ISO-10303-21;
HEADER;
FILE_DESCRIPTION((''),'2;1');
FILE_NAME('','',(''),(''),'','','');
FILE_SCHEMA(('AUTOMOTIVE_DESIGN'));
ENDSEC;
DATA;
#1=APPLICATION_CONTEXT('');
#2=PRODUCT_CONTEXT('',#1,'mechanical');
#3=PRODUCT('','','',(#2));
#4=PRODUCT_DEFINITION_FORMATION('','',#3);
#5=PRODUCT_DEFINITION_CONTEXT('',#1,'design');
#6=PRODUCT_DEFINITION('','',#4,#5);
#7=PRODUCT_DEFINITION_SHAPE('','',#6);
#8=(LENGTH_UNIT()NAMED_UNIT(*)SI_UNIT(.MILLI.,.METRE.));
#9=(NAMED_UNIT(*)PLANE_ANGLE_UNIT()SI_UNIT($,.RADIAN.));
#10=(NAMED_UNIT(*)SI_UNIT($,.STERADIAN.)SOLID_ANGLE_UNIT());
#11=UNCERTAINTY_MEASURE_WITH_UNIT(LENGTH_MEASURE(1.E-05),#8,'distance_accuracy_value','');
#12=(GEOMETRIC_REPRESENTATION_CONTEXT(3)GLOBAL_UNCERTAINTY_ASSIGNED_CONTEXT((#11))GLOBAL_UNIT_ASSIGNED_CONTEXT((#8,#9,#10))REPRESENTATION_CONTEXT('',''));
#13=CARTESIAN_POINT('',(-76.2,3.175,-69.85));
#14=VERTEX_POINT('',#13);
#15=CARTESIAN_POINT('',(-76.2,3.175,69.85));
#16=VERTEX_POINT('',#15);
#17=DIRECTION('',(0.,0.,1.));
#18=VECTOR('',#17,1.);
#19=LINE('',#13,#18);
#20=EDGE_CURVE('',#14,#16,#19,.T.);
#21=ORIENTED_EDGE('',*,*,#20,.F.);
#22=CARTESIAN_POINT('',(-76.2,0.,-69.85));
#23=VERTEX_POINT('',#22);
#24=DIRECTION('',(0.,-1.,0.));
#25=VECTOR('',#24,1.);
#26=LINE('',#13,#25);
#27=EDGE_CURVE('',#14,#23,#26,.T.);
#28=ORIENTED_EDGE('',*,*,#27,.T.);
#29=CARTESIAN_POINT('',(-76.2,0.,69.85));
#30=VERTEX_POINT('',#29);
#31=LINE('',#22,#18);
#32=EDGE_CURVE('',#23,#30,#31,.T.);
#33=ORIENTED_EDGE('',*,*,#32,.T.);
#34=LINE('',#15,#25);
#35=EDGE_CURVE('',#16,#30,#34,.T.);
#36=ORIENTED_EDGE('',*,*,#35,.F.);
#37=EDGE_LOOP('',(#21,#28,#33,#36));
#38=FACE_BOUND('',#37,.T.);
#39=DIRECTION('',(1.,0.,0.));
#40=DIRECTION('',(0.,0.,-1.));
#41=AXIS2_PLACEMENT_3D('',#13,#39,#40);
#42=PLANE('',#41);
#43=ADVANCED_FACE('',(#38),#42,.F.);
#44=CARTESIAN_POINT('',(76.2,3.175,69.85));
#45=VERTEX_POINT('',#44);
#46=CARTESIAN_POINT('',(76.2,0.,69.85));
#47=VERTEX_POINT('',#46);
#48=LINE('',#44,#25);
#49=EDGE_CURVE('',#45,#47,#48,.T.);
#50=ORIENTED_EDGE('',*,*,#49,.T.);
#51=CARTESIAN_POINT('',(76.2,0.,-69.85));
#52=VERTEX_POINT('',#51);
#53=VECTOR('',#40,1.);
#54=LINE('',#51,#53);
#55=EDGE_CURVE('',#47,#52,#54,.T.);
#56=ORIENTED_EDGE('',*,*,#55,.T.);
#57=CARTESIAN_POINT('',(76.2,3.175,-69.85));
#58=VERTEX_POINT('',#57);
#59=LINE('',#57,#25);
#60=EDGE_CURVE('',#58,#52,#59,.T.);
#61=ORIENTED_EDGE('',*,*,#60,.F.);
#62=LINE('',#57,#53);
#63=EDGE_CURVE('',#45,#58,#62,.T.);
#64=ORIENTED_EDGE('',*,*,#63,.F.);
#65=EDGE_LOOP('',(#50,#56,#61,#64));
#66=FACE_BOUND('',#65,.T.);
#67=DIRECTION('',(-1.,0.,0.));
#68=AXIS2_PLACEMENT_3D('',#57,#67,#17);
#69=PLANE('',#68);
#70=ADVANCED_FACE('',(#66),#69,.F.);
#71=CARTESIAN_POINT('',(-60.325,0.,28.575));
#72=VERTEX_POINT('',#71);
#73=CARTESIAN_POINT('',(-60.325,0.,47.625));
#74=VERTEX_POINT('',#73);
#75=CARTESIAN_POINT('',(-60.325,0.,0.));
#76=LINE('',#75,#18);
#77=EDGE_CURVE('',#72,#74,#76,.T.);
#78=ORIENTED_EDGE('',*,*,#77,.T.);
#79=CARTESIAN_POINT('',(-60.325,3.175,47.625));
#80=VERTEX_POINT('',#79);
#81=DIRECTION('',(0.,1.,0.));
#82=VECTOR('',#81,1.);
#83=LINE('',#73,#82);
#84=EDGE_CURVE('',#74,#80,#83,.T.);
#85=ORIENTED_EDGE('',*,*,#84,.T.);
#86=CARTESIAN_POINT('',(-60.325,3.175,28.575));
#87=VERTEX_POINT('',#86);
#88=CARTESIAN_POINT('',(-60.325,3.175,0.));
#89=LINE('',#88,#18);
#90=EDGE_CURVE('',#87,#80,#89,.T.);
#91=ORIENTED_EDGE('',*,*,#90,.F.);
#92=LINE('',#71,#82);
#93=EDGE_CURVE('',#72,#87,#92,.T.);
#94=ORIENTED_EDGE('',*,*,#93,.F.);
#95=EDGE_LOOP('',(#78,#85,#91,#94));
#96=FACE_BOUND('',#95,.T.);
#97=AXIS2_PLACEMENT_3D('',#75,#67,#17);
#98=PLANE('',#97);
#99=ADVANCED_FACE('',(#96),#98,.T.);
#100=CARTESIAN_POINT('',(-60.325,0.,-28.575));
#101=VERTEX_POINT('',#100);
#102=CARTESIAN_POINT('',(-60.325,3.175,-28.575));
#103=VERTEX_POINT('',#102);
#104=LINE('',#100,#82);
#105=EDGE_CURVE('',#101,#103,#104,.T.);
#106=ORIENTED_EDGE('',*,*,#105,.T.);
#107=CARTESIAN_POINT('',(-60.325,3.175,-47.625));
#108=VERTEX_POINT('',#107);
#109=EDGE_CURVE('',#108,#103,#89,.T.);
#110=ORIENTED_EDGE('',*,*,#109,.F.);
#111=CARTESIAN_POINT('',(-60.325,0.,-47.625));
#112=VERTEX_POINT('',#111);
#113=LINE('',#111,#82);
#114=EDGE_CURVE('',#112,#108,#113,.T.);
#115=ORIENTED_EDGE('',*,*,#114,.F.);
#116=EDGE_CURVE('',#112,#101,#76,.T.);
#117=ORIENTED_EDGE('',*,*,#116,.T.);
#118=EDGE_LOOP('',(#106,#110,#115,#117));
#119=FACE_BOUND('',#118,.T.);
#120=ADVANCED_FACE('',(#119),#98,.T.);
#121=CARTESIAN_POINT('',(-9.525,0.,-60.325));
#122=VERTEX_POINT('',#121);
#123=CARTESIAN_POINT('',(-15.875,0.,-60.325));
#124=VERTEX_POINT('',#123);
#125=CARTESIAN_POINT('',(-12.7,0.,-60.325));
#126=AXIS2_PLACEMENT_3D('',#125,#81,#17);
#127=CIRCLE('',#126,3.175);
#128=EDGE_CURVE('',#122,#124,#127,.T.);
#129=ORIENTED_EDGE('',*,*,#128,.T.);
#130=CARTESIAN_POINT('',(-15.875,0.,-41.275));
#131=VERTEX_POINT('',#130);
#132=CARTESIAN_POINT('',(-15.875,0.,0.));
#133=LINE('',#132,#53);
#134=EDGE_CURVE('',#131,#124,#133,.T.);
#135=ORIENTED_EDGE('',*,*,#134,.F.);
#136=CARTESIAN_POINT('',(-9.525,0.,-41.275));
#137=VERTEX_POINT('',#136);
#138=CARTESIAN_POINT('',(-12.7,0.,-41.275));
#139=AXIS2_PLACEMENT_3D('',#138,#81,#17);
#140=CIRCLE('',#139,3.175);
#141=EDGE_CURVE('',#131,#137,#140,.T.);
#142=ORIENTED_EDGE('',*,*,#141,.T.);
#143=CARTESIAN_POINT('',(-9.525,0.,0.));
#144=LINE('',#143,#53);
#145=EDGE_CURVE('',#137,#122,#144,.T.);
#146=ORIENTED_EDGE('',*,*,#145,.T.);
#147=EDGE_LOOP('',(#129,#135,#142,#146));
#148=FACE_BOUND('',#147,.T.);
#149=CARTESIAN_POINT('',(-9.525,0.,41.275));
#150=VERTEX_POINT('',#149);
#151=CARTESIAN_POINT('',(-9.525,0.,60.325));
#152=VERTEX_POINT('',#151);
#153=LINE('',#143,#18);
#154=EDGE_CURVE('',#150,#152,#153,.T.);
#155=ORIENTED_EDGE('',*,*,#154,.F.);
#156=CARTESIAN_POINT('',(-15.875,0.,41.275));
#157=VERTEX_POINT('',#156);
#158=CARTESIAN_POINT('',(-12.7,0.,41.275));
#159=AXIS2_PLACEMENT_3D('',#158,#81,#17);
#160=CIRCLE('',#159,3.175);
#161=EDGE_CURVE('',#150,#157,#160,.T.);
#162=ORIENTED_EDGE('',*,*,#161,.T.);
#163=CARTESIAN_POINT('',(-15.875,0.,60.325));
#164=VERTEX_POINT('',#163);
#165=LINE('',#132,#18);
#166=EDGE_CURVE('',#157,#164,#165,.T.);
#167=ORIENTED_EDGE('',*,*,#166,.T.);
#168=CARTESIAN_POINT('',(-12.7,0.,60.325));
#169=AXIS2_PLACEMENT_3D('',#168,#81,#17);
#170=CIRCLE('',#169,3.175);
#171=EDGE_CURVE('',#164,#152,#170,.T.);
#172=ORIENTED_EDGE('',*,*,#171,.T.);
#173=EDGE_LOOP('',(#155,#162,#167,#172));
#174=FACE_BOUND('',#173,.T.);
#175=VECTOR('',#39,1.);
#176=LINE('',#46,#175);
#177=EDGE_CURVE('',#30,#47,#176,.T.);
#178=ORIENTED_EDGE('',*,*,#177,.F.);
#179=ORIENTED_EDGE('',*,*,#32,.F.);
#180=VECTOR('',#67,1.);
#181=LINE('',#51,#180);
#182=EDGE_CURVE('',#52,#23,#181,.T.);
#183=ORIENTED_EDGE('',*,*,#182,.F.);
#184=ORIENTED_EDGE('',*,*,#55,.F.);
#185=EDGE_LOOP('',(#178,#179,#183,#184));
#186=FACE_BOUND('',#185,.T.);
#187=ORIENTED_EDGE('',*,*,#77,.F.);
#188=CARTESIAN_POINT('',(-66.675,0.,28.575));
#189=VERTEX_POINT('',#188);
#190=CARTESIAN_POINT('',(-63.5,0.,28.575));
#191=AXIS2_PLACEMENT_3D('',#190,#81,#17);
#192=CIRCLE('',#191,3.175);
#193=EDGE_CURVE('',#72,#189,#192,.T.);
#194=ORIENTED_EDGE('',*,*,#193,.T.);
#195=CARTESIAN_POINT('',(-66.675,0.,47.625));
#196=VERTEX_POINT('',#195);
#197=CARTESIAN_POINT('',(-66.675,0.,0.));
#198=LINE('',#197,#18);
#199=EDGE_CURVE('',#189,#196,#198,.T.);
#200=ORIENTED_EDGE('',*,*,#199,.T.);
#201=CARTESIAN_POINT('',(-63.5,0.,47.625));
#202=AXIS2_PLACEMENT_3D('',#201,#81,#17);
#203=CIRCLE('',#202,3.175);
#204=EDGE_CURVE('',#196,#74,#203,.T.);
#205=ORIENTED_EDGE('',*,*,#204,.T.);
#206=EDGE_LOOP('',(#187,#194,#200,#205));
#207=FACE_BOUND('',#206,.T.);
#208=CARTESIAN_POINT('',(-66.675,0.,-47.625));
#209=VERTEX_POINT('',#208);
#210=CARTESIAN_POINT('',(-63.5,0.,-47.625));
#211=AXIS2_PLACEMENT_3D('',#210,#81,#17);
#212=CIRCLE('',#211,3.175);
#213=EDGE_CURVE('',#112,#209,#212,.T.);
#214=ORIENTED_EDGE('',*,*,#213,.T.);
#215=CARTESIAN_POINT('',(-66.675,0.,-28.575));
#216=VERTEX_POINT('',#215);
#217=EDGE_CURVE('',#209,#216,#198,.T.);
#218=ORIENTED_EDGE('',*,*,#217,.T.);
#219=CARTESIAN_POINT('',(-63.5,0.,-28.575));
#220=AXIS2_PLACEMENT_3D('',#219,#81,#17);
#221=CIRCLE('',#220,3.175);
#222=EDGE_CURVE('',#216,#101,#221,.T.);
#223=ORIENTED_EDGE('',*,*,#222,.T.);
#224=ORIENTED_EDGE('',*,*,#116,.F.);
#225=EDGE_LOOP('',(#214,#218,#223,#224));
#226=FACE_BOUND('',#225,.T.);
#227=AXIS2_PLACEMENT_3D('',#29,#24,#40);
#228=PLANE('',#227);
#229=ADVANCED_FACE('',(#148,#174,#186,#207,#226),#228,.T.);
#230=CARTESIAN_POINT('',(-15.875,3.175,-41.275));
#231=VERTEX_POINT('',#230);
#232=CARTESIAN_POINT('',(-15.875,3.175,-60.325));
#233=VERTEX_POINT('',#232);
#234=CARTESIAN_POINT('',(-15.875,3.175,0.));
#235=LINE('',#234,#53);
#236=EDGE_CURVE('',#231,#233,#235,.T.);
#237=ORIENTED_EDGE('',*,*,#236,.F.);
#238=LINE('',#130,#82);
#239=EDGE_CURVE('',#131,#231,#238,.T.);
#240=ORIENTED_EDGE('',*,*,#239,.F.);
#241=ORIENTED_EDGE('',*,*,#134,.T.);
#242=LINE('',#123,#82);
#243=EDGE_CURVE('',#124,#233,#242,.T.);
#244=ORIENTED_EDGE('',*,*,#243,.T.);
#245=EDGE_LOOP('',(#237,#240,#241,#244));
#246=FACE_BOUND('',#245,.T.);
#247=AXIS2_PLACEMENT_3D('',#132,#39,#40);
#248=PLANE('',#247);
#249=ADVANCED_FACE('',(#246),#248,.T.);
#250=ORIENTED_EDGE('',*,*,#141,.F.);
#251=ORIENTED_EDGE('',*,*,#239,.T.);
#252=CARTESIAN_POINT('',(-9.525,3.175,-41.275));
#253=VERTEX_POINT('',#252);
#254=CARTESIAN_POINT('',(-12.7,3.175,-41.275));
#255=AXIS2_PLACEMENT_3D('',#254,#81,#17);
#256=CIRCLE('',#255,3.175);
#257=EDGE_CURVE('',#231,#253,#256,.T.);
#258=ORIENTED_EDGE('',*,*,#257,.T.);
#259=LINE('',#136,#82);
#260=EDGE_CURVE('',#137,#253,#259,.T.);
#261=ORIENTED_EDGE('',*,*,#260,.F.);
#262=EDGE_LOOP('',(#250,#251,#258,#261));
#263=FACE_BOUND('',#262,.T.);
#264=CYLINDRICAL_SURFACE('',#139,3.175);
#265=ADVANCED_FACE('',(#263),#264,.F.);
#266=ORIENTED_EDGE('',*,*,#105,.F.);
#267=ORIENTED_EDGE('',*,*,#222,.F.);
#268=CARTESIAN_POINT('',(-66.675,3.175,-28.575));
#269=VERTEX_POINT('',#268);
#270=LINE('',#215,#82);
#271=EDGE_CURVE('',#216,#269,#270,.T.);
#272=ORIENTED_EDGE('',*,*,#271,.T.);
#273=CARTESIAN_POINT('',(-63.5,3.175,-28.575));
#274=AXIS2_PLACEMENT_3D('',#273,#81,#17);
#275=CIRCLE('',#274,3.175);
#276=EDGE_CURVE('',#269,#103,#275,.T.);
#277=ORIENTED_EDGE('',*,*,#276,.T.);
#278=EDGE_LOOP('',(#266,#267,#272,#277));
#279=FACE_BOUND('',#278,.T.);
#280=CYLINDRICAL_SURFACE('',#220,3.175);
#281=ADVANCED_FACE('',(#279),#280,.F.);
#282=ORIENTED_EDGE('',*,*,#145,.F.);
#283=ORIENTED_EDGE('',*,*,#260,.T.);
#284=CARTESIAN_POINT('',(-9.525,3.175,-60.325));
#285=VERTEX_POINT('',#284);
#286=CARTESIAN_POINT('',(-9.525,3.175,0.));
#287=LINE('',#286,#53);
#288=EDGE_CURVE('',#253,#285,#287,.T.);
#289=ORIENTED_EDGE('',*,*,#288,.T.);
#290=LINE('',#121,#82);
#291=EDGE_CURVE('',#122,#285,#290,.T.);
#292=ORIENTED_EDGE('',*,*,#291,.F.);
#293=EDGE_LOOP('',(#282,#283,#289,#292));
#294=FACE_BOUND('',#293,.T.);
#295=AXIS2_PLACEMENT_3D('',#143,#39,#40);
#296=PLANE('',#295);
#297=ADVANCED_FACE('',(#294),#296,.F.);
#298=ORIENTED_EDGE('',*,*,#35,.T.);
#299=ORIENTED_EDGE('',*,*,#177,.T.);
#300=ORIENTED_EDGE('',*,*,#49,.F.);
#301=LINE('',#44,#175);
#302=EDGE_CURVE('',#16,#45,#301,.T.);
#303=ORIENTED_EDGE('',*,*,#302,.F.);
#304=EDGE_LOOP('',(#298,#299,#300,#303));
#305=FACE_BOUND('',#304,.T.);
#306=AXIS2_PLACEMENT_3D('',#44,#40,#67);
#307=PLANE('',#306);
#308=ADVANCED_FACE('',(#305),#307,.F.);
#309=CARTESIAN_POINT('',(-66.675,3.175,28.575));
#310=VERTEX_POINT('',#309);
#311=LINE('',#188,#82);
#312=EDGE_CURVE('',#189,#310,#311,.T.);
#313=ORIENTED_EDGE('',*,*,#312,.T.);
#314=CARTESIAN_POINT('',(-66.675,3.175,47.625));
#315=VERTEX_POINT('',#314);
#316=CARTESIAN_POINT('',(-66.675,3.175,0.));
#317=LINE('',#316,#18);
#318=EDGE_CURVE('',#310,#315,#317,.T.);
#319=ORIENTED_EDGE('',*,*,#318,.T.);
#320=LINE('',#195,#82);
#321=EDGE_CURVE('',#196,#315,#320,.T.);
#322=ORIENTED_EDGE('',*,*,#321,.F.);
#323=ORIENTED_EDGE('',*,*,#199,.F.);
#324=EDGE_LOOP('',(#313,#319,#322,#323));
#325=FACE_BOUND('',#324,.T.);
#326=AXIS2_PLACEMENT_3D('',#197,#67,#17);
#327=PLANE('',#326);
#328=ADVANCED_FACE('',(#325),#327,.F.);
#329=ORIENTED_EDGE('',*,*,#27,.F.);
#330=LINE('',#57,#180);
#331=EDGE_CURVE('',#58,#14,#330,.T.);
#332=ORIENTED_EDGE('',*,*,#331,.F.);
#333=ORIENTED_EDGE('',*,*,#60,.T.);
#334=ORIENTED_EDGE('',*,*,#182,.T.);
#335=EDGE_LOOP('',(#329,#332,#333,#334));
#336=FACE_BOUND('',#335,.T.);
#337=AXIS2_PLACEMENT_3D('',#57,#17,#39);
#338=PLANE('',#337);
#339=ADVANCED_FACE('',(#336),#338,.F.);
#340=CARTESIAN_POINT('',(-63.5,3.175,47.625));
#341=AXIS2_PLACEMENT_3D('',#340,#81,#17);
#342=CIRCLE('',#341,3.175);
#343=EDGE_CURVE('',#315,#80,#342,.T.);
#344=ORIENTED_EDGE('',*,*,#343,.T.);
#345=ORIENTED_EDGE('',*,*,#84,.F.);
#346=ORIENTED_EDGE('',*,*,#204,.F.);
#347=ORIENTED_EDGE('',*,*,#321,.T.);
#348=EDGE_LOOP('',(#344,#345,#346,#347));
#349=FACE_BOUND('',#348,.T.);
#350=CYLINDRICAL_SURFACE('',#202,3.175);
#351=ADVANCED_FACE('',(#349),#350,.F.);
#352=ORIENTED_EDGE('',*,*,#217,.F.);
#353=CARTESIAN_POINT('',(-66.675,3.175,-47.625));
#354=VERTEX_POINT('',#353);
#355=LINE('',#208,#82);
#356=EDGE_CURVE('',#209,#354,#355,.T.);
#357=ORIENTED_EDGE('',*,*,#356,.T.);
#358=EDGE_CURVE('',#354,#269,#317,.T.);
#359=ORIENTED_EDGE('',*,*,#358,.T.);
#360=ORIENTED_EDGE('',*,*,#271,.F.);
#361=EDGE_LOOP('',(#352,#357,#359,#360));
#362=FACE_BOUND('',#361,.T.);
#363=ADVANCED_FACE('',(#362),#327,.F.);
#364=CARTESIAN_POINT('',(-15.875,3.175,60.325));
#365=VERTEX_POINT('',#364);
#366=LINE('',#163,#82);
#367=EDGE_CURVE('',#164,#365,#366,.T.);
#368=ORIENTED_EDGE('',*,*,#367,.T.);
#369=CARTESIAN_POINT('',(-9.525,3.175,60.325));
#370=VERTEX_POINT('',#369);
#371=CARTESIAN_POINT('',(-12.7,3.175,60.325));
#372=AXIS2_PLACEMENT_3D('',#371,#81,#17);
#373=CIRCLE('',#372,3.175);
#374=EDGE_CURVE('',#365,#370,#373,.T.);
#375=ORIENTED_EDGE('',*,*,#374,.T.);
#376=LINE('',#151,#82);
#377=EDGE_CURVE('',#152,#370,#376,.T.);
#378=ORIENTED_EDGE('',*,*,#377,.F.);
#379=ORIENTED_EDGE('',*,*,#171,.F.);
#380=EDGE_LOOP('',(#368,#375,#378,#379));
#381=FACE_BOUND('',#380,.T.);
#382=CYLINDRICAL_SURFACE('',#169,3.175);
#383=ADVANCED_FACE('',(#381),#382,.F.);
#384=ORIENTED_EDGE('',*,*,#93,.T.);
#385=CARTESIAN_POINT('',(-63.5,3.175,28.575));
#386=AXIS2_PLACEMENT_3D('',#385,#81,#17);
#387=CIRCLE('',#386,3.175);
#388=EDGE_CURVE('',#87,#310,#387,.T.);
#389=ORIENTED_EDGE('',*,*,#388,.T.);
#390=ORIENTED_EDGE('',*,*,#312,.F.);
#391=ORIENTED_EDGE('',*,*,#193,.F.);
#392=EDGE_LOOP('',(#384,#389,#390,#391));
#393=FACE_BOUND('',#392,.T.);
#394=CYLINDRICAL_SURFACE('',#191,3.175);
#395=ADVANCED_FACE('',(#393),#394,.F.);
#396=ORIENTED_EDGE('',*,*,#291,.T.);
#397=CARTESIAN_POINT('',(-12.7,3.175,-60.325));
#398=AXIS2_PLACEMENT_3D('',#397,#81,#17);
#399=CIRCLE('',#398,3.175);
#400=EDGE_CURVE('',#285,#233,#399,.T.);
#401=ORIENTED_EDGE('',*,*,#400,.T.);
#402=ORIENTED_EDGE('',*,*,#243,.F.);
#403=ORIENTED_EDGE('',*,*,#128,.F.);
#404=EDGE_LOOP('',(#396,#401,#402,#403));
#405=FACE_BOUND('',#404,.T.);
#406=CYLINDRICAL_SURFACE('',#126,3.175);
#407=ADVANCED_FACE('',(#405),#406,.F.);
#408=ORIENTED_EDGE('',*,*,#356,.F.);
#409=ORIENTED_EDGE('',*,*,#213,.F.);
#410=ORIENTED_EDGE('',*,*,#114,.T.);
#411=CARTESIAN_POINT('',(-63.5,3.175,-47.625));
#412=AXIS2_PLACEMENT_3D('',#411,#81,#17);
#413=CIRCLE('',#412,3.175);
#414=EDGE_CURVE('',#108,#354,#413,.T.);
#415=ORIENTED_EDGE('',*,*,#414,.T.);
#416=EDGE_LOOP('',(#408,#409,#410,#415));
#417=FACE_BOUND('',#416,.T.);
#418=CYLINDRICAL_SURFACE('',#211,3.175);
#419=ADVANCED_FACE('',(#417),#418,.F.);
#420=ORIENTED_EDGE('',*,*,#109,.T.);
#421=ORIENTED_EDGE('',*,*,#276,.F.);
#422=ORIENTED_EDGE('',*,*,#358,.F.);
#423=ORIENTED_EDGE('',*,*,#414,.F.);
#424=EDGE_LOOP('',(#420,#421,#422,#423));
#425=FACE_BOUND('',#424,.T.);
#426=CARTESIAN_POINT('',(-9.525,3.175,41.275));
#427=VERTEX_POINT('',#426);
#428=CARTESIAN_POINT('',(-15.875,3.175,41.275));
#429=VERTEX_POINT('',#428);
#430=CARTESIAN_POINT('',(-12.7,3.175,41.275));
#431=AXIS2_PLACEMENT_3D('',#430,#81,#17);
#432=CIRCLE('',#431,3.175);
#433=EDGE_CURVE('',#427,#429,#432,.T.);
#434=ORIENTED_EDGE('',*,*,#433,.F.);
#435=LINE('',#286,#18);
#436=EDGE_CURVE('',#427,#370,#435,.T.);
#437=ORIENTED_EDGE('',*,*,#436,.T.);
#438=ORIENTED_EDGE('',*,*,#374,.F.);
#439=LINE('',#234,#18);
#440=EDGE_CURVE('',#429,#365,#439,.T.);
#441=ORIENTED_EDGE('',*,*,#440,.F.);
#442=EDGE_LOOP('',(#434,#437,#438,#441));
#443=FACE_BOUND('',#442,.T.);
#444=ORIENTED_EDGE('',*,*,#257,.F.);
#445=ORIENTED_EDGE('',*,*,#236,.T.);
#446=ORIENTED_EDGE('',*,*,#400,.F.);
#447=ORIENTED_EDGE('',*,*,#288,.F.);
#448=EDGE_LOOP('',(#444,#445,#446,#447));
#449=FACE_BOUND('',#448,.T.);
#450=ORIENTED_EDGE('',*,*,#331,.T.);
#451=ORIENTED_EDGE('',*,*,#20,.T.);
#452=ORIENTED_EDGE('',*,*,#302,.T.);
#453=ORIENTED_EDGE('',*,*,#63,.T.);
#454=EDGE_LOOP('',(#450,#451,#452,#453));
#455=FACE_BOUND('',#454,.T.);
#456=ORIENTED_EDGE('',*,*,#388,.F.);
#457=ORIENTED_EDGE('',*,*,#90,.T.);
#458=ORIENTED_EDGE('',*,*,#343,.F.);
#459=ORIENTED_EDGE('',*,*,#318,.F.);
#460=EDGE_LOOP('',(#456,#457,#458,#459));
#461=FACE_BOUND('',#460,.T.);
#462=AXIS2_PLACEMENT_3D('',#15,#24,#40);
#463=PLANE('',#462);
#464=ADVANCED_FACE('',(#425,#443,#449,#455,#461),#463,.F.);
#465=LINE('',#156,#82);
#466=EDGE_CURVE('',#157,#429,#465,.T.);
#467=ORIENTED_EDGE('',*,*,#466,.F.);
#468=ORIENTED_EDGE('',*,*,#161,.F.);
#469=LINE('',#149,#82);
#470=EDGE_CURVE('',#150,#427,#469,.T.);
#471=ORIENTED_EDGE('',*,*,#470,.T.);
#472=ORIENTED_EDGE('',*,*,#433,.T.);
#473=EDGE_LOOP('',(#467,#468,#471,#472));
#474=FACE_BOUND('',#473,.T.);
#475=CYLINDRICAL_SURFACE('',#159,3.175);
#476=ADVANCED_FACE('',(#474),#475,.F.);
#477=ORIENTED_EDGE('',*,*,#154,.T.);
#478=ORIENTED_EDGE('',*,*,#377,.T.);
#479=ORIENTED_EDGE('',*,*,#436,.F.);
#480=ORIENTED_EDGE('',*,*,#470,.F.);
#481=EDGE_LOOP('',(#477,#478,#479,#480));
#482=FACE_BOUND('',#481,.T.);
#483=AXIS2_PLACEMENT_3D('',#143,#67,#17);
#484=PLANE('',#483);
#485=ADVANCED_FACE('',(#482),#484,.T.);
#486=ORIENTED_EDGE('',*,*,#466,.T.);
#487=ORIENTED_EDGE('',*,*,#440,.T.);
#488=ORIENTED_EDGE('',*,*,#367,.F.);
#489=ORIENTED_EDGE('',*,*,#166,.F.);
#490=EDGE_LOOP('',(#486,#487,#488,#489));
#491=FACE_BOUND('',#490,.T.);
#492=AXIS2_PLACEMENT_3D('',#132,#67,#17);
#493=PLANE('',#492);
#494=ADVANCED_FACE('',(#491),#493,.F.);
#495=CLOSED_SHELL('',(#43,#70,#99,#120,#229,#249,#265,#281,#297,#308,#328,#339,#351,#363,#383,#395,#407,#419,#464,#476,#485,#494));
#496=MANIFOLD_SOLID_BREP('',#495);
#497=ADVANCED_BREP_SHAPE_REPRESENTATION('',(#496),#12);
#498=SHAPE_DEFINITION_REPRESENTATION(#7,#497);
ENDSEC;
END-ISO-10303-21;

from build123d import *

# Parameters (mm, degrees)
SKETCH1_W           = 152.4
SKETCH1_H           = 139.7
BOSS_EXTRUDE1_DEPTH = 3.175
CUT_EXTRUDE1_DEPTH  = 4.175


with BuildPart() as part:
    # Sketch1 → Boss-Extrude1 (new body)
    with BuildSketch(Plane(origin=(0, 0, 0), x_dir=(1, 0, 0), z_dir=(0, 1, 0))):
        Rectangle(SKETCH1_W, SKETCH1_H)
    extrude(amount=BOSS_EXTRUDE1_DEPTH)

    # Sketch2 → Cut-Extrude1 (cut, through all)
    with BuildSketch(Plane(origin=(0, 3.175, 0), x_dir=(1, 0, 0), z_dir=(0, 1, 0))):
        with BuildLine():
            Line((-15.875, -41.275), (-15.875, -60.325))
            ThreePointArc((-15.875, -60.325), (-12.7, -63.5), (-9.525, -60.325))
            Line((-9.525, -60.325), (-9.525, -41.275))
            ThreePointArc((-9.525, -41.275), (-12.7, -38.1), (-15.875, -41.275))
        make_face()
        with BuildLine():
            Line((-9.525, 41.275), (-9.525, 60.325))
            ThreePointArc((-9.525, 60.325), (-12.7, 63.5), (-15.875, 60.325))
            Line((-15.875, 60.325), (-15.875, 41.275))
            ThreePointArc((-15.875, 41.275), (-12.7, 38.1), (-9.525, 41.275))
        make_face()
        with BuildLine():
            Line((-66.675, -28.575), (-66.675, -47.625))
            ThreePointArc((-66.675, -47.625), (-63.5, -50.8), (-60.325, -47.625))
            Line((-60.325, -47.625), (-60.325, -28.575))
            ThreePointArc((-60.325, -28.575), (-63.5, -25.4), (-66.675, -28.575))
        make_face()
        with BuildLine():
            Line((-66.675, 47.625), (-66.675, 28.575))
            ThreePointArc((-66.675, 28.575), (-63.5, 25.4), (-60.325, 28.575))
            Line((-60.325, 28.575), (-60.325, 47.625))
            ThreePointArc((-60.325, 47.625), (-63.5, 50.8), (-66.675, 47.625))
        make_face()
    extrude(amount=-CUT_EXTRUDE1_DEPTH, mode=Mode.SUBTRACT)


solid = part.part
